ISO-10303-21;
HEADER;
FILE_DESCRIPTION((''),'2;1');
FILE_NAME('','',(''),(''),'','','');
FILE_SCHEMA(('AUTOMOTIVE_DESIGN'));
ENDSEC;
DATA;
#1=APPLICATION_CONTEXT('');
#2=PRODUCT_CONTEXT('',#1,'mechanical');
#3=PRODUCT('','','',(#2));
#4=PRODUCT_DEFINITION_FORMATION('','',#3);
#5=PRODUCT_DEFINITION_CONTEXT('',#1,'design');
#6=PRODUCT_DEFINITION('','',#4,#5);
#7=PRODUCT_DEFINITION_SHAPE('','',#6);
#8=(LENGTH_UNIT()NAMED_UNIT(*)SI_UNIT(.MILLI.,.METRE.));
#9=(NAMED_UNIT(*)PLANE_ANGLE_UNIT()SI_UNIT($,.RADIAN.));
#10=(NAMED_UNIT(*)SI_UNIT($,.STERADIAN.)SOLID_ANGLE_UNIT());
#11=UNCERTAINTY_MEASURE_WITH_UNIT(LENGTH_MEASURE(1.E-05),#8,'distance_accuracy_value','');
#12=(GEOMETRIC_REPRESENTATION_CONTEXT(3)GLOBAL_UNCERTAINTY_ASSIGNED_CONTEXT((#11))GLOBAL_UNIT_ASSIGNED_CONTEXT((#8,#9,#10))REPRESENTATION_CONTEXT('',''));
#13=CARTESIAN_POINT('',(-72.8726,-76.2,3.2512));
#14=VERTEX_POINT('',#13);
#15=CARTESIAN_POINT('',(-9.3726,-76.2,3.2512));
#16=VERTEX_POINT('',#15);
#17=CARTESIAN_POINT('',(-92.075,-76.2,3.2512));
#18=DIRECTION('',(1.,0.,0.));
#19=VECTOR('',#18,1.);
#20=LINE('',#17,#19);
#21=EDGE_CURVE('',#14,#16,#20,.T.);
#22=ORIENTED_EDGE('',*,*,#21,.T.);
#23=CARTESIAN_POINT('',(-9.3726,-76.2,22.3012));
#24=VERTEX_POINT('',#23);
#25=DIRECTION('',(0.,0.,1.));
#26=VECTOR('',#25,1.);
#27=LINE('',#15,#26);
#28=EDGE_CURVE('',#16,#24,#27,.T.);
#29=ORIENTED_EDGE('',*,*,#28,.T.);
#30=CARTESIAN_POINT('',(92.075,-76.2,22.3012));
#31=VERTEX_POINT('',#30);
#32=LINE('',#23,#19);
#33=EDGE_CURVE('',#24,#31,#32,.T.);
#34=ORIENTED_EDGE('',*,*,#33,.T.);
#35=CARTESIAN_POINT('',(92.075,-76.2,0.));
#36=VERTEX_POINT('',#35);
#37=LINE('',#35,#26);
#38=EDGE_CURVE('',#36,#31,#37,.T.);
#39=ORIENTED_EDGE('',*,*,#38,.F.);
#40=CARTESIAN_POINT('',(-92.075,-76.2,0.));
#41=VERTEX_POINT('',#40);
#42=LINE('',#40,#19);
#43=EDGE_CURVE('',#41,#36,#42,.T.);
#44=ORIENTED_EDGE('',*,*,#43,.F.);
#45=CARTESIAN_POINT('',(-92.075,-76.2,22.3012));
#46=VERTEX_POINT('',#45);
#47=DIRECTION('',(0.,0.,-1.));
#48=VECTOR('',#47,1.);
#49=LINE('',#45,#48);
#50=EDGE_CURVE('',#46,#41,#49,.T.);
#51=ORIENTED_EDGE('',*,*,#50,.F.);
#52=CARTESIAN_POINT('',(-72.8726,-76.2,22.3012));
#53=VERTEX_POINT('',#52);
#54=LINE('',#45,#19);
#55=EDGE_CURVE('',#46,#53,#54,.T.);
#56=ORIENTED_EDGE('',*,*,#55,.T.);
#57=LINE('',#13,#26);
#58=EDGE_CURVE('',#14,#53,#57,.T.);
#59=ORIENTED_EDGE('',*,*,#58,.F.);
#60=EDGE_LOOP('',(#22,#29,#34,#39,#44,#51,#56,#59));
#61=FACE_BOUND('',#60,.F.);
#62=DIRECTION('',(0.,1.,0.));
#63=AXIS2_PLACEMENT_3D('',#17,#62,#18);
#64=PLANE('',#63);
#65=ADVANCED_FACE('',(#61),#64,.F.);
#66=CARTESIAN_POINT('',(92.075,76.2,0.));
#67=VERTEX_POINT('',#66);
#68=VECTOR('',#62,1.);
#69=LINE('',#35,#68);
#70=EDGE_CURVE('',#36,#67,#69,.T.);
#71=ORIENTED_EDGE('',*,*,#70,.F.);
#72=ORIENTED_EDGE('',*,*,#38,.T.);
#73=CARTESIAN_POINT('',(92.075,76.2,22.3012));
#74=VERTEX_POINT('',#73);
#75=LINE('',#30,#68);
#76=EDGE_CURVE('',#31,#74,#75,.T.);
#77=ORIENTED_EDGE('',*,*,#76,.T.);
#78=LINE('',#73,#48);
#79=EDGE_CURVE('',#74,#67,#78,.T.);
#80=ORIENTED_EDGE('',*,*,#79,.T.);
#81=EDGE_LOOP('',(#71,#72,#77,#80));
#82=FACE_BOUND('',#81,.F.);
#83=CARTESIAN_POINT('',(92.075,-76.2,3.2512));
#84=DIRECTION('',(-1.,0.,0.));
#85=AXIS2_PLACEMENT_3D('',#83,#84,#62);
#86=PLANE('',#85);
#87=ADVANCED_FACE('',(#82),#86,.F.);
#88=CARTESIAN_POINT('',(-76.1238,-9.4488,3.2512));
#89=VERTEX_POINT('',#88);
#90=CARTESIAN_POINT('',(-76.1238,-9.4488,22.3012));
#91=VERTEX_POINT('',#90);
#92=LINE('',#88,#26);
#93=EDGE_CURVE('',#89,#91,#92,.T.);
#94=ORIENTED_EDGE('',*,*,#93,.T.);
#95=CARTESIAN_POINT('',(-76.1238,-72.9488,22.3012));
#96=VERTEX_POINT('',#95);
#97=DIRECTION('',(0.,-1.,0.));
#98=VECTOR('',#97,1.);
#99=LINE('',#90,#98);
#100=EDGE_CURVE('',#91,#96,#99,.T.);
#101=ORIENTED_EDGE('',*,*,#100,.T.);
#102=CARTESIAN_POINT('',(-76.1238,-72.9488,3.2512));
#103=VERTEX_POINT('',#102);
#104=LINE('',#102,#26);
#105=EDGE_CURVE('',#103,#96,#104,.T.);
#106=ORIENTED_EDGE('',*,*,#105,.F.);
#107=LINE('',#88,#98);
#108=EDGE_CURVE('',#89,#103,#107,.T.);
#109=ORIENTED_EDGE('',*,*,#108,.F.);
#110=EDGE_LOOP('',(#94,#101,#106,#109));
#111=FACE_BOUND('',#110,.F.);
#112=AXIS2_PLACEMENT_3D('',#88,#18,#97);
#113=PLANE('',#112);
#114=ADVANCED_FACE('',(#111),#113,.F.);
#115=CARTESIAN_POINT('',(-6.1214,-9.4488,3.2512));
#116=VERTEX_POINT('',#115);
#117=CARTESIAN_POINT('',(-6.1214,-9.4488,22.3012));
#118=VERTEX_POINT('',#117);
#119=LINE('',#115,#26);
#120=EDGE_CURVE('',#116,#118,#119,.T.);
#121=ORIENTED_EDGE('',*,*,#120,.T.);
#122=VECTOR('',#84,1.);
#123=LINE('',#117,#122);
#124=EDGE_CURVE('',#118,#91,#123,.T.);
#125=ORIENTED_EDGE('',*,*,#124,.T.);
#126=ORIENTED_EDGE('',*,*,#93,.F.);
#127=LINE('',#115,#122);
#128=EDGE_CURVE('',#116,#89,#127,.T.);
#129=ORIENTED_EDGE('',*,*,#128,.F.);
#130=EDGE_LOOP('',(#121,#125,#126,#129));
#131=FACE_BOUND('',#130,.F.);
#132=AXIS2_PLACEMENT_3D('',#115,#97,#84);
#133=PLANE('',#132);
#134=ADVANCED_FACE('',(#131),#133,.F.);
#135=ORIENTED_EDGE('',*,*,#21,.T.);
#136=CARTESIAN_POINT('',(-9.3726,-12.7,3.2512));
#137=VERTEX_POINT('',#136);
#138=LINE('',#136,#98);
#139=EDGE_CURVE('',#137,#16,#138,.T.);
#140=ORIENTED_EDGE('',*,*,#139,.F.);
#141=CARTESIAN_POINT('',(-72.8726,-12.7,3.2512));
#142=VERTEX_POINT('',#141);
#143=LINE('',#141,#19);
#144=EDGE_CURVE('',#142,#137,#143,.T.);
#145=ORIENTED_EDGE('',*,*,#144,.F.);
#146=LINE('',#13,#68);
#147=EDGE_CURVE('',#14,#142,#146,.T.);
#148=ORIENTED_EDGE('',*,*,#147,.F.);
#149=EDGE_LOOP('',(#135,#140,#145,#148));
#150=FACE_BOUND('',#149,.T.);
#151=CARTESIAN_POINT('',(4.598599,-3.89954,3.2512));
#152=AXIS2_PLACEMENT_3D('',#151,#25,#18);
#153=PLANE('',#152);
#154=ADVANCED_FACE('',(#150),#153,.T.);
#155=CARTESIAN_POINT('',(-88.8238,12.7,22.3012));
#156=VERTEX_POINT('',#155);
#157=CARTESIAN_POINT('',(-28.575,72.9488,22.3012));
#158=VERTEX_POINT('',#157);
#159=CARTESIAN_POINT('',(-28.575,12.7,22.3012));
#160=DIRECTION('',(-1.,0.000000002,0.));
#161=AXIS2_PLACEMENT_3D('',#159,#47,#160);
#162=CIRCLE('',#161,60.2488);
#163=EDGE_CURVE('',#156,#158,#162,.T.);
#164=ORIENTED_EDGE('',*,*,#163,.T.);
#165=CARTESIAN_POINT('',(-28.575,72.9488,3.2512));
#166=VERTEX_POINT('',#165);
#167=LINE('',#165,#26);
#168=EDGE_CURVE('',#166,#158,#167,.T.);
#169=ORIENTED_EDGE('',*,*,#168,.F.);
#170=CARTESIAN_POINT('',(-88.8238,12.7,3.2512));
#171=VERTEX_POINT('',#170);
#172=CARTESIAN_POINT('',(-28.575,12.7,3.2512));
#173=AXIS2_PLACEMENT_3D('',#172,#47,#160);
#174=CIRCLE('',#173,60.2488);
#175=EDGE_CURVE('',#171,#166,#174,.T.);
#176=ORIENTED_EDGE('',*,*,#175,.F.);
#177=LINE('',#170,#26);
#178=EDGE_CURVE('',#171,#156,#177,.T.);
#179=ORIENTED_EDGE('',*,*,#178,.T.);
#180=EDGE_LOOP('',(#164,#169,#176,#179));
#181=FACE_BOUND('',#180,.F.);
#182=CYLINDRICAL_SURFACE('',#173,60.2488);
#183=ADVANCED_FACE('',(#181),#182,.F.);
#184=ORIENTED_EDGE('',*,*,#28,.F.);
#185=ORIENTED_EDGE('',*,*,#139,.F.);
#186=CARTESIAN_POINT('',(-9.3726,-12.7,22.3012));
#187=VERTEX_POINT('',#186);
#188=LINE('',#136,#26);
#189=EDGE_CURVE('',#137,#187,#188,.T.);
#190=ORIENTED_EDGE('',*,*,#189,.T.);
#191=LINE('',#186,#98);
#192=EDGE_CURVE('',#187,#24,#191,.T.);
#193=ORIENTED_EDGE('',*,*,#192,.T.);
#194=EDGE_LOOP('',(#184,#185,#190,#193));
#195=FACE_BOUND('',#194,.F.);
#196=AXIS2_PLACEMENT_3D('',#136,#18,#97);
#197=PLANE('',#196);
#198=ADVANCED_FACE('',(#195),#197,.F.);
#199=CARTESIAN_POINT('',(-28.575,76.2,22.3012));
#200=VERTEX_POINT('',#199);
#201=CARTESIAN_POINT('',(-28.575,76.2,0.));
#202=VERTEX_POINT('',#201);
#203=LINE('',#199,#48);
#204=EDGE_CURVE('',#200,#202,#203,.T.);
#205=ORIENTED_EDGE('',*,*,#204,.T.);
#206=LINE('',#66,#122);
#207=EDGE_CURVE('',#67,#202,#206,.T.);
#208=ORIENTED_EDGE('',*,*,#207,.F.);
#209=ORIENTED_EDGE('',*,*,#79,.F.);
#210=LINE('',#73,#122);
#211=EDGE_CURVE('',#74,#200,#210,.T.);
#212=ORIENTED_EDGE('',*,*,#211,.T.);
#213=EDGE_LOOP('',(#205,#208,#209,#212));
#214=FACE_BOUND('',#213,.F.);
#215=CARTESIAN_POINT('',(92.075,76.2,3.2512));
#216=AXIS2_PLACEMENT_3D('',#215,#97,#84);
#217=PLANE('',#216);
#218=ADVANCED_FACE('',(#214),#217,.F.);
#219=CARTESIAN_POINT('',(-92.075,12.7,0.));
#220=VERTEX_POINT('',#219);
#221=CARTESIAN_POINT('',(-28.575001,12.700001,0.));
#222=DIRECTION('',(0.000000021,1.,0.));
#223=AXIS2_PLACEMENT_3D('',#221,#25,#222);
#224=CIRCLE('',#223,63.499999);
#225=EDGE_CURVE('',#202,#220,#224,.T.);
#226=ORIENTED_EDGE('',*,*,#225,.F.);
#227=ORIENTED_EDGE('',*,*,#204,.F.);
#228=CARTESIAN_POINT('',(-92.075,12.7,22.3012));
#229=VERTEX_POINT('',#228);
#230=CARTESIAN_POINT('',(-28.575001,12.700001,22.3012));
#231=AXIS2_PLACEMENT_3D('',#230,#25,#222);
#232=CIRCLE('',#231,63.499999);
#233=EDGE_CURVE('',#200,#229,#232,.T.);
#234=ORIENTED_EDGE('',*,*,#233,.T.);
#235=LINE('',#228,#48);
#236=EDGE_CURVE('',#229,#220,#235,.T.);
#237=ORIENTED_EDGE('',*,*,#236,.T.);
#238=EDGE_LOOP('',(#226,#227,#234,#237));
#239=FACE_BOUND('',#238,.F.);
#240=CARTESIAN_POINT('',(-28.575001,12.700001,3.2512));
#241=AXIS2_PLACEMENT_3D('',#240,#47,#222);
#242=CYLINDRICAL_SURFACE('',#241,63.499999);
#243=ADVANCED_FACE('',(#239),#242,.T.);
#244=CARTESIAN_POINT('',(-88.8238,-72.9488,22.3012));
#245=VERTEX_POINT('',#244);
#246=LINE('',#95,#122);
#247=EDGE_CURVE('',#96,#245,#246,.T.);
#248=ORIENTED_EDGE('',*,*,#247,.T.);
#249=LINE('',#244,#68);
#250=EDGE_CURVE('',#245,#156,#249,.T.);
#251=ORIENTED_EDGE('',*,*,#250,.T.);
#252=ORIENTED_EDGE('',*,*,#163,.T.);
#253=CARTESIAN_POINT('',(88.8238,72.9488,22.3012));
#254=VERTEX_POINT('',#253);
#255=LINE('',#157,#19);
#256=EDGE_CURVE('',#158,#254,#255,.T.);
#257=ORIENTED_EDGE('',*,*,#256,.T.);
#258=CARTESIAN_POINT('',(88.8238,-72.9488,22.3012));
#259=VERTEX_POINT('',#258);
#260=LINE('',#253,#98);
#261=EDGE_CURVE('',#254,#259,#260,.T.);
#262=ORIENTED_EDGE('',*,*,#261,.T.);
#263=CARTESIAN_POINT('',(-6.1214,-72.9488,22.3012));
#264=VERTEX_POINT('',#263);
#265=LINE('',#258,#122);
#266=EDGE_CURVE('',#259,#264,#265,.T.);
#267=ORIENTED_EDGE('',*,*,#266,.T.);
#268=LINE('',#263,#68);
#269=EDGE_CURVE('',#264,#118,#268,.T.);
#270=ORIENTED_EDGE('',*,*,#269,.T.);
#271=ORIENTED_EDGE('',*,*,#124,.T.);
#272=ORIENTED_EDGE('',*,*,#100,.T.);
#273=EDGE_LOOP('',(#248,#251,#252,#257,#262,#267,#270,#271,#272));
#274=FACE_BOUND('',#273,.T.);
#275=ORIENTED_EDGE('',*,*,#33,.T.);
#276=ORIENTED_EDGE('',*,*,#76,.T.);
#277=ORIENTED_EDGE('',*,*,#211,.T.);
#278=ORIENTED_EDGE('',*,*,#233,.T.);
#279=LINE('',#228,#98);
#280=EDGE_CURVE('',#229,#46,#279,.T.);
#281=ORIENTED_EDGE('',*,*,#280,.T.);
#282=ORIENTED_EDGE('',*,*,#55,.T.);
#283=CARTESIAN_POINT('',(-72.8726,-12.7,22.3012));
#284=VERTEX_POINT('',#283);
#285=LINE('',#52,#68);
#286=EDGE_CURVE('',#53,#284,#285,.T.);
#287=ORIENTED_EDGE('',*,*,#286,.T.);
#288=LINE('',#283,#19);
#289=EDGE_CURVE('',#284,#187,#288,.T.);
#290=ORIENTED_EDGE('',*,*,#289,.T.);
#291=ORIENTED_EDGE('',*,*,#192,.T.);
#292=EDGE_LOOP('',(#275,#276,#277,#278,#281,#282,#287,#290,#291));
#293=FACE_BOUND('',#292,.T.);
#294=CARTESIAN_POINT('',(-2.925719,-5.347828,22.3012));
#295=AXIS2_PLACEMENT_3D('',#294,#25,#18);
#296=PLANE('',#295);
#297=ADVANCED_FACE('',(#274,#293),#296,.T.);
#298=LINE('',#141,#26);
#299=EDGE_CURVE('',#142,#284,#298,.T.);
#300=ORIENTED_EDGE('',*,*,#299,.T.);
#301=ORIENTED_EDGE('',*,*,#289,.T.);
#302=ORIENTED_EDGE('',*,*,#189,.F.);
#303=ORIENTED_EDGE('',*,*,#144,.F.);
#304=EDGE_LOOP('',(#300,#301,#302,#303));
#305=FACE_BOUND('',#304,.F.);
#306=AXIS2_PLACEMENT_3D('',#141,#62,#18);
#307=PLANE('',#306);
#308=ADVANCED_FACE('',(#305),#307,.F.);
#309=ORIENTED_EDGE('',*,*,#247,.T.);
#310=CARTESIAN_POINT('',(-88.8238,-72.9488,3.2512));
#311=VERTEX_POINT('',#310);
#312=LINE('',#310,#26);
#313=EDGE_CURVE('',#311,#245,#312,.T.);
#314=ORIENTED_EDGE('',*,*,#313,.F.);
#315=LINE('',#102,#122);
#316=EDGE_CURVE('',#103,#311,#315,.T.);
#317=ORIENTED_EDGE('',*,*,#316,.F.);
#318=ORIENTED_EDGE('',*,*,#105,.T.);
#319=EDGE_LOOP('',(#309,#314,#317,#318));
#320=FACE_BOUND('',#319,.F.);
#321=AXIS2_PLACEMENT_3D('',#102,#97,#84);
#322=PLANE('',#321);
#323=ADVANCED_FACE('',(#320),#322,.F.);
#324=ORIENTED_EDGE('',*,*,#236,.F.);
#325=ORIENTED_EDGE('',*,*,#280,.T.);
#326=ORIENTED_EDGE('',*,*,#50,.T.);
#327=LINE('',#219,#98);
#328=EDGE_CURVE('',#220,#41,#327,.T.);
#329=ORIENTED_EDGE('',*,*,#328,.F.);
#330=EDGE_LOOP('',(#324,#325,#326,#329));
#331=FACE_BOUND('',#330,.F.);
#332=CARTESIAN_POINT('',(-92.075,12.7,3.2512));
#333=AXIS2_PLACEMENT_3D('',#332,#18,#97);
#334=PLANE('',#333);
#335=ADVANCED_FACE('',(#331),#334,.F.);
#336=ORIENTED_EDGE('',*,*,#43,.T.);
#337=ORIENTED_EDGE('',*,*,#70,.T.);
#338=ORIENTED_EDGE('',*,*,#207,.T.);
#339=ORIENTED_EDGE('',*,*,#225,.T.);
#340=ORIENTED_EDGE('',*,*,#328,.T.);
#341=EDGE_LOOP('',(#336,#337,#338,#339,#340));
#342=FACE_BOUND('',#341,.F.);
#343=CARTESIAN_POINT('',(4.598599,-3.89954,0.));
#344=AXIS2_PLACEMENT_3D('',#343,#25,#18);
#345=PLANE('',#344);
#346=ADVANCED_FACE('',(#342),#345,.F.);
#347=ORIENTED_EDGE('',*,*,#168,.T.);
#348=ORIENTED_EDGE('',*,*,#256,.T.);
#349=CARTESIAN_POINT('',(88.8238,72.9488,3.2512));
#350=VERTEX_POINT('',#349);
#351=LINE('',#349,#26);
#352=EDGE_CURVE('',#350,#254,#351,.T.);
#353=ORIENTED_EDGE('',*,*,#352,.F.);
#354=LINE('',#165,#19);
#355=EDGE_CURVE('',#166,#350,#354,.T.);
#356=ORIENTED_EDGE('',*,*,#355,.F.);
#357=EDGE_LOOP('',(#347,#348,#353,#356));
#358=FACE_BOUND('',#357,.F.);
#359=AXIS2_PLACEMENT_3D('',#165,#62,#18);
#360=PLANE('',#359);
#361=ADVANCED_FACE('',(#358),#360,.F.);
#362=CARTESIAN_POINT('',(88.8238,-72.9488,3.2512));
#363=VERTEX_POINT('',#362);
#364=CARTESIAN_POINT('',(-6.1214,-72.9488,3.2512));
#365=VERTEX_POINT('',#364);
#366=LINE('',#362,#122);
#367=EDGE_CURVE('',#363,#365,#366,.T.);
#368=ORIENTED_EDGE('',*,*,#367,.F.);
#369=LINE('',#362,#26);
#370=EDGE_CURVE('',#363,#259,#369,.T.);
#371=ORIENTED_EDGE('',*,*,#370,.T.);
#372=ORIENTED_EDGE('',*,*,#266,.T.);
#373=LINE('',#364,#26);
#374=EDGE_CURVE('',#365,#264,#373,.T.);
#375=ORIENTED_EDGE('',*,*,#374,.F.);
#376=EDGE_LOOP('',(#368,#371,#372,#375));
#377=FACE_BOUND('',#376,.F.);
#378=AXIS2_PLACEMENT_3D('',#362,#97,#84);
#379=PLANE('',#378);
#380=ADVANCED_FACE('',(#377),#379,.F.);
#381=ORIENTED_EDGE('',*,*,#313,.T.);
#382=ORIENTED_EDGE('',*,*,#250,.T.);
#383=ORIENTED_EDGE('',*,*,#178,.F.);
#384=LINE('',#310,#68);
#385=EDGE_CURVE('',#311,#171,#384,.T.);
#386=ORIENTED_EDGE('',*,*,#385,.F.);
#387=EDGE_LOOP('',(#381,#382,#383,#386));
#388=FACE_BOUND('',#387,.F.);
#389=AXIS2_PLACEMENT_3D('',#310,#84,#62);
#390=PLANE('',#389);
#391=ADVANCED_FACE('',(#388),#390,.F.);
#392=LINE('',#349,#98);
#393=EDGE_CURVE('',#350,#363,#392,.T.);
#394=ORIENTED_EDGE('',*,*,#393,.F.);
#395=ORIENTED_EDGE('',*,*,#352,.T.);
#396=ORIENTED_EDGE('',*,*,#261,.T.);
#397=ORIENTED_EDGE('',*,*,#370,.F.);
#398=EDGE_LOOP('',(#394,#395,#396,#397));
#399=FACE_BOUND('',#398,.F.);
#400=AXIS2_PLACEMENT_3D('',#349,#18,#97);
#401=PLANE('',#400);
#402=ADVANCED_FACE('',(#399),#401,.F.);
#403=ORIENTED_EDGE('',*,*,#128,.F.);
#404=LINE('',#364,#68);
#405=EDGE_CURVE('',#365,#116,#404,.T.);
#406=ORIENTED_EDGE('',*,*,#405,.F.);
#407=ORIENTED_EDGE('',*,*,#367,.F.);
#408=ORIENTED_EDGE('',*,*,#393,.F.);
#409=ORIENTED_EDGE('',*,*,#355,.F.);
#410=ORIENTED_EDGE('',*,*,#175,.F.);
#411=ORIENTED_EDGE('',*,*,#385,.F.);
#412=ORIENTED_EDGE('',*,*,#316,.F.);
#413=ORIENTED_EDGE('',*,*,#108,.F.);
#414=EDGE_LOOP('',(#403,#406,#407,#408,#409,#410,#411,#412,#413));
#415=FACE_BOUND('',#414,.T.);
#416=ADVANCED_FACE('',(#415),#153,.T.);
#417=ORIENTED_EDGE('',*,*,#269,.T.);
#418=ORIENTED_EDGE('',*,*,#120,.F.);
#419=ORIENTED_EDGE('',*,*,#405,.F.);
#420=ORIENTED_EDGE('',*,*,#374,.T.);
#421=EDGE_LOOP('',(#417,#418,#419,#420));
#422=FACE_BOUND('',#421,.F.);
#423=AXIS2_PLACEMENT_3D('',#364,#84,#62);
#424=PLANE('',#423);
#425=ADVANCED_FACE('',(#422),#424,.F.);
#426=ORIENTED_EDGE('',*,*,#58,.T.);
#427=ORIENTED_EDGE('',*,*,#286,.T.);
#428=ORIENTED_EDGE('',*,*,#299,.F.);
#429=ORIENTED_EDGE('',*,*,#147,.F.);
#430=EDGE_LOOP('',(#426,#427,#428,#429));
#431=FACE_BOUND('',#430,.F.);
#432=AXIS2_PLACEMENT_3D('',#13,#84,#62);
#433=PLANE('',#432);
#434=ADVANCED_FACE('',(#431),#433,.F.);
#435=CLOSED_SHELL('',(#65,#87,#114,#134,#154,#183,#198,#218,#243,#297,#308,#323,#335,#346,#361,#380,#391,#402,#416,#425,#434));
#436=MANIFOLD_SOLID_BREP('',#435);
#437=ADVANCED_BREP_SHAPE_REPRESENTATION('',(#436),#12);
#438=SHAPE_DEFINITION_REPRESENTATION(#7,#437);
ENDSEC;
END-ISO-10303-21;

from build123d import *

# Parameters (mm, degrees)
F1_DEPTH = 3.2512
F3_DEPTH = 19.05


with BuildPart() as f1:
    # F0 (on Top) → F1 (new body)
    with BuildSketch(Plane.XY):
        with BuildLine():
            Line((92.075, 76.2), (-28.575, 76.2))
            ThreePointArc((-28.575, 76.2), (-73.476281, 57.601281), (-92.075, 12.7))
            Line((-92.075, 12.7), (-92.075, -76.2))
            Line((-92.075, -76.2), (92.075, -76.2))
            Line((92.075, -76.2), (92.075, 76.2))
        make_face()
    extrude(amount=F1_DEPTH)

    # F2 (on face) → F3 (join)
    with BuildSketch(Plane.XY.offset(3.2512)):
        with BuildLine():
            Line((-72.8726, -76.2), (-72.8726, -12.7))
            Line((-72.8726, -12.7), (-9.3726, -12.7))
            Line((-9.3726, -12.7), (-9.3726, -76.2))
            Line((-9.3726, -76.2), (92.075, -76.2))
            Line((92.075, -76.2), (92.075, 76.2))
            Line((92.075, 76.2), (-28.575, 76.2))
            ThreePointArc((-28.575, 76.2), (-73.476281, 57.601281), (-92.075, 12.7))
            Line((-92.075, 12.7), (-92.075, -76.2))
            Line((-92.075, -76.2), (-72.8726, -76.2))
        make_face()
        with BuildLine():
            Line((-28.575, 72.9488), (88.8238, 72.9488))
            Line((88.8238, 72.9488), (88.8238, -72.9488))
            Line((88.8238, -72.9488), (-6.1214, -72.9488))
            Line((-6.1214, -72.9488), (-6.1214, -9.4488))
            Line((-6.1214, -9.4488), (-76.1238, -9.4488))
            Line((-76.1238, -9.4488), (-76.1238, -72.9488))
            Line((-76.1238, -72.9488), (-88.8238, -72.9488))
            Line((-88.8238, -72.9488), (-88.8238, 12.7))
            ThreePointArc((-88.8238, 12.7), (-71.177335, 55.302335), (-28.575, 72.9488))
        make_face(mode=Mode.SUBTRACT)
    extrude(amount=F3_DEPTH)


solid = f1.part
